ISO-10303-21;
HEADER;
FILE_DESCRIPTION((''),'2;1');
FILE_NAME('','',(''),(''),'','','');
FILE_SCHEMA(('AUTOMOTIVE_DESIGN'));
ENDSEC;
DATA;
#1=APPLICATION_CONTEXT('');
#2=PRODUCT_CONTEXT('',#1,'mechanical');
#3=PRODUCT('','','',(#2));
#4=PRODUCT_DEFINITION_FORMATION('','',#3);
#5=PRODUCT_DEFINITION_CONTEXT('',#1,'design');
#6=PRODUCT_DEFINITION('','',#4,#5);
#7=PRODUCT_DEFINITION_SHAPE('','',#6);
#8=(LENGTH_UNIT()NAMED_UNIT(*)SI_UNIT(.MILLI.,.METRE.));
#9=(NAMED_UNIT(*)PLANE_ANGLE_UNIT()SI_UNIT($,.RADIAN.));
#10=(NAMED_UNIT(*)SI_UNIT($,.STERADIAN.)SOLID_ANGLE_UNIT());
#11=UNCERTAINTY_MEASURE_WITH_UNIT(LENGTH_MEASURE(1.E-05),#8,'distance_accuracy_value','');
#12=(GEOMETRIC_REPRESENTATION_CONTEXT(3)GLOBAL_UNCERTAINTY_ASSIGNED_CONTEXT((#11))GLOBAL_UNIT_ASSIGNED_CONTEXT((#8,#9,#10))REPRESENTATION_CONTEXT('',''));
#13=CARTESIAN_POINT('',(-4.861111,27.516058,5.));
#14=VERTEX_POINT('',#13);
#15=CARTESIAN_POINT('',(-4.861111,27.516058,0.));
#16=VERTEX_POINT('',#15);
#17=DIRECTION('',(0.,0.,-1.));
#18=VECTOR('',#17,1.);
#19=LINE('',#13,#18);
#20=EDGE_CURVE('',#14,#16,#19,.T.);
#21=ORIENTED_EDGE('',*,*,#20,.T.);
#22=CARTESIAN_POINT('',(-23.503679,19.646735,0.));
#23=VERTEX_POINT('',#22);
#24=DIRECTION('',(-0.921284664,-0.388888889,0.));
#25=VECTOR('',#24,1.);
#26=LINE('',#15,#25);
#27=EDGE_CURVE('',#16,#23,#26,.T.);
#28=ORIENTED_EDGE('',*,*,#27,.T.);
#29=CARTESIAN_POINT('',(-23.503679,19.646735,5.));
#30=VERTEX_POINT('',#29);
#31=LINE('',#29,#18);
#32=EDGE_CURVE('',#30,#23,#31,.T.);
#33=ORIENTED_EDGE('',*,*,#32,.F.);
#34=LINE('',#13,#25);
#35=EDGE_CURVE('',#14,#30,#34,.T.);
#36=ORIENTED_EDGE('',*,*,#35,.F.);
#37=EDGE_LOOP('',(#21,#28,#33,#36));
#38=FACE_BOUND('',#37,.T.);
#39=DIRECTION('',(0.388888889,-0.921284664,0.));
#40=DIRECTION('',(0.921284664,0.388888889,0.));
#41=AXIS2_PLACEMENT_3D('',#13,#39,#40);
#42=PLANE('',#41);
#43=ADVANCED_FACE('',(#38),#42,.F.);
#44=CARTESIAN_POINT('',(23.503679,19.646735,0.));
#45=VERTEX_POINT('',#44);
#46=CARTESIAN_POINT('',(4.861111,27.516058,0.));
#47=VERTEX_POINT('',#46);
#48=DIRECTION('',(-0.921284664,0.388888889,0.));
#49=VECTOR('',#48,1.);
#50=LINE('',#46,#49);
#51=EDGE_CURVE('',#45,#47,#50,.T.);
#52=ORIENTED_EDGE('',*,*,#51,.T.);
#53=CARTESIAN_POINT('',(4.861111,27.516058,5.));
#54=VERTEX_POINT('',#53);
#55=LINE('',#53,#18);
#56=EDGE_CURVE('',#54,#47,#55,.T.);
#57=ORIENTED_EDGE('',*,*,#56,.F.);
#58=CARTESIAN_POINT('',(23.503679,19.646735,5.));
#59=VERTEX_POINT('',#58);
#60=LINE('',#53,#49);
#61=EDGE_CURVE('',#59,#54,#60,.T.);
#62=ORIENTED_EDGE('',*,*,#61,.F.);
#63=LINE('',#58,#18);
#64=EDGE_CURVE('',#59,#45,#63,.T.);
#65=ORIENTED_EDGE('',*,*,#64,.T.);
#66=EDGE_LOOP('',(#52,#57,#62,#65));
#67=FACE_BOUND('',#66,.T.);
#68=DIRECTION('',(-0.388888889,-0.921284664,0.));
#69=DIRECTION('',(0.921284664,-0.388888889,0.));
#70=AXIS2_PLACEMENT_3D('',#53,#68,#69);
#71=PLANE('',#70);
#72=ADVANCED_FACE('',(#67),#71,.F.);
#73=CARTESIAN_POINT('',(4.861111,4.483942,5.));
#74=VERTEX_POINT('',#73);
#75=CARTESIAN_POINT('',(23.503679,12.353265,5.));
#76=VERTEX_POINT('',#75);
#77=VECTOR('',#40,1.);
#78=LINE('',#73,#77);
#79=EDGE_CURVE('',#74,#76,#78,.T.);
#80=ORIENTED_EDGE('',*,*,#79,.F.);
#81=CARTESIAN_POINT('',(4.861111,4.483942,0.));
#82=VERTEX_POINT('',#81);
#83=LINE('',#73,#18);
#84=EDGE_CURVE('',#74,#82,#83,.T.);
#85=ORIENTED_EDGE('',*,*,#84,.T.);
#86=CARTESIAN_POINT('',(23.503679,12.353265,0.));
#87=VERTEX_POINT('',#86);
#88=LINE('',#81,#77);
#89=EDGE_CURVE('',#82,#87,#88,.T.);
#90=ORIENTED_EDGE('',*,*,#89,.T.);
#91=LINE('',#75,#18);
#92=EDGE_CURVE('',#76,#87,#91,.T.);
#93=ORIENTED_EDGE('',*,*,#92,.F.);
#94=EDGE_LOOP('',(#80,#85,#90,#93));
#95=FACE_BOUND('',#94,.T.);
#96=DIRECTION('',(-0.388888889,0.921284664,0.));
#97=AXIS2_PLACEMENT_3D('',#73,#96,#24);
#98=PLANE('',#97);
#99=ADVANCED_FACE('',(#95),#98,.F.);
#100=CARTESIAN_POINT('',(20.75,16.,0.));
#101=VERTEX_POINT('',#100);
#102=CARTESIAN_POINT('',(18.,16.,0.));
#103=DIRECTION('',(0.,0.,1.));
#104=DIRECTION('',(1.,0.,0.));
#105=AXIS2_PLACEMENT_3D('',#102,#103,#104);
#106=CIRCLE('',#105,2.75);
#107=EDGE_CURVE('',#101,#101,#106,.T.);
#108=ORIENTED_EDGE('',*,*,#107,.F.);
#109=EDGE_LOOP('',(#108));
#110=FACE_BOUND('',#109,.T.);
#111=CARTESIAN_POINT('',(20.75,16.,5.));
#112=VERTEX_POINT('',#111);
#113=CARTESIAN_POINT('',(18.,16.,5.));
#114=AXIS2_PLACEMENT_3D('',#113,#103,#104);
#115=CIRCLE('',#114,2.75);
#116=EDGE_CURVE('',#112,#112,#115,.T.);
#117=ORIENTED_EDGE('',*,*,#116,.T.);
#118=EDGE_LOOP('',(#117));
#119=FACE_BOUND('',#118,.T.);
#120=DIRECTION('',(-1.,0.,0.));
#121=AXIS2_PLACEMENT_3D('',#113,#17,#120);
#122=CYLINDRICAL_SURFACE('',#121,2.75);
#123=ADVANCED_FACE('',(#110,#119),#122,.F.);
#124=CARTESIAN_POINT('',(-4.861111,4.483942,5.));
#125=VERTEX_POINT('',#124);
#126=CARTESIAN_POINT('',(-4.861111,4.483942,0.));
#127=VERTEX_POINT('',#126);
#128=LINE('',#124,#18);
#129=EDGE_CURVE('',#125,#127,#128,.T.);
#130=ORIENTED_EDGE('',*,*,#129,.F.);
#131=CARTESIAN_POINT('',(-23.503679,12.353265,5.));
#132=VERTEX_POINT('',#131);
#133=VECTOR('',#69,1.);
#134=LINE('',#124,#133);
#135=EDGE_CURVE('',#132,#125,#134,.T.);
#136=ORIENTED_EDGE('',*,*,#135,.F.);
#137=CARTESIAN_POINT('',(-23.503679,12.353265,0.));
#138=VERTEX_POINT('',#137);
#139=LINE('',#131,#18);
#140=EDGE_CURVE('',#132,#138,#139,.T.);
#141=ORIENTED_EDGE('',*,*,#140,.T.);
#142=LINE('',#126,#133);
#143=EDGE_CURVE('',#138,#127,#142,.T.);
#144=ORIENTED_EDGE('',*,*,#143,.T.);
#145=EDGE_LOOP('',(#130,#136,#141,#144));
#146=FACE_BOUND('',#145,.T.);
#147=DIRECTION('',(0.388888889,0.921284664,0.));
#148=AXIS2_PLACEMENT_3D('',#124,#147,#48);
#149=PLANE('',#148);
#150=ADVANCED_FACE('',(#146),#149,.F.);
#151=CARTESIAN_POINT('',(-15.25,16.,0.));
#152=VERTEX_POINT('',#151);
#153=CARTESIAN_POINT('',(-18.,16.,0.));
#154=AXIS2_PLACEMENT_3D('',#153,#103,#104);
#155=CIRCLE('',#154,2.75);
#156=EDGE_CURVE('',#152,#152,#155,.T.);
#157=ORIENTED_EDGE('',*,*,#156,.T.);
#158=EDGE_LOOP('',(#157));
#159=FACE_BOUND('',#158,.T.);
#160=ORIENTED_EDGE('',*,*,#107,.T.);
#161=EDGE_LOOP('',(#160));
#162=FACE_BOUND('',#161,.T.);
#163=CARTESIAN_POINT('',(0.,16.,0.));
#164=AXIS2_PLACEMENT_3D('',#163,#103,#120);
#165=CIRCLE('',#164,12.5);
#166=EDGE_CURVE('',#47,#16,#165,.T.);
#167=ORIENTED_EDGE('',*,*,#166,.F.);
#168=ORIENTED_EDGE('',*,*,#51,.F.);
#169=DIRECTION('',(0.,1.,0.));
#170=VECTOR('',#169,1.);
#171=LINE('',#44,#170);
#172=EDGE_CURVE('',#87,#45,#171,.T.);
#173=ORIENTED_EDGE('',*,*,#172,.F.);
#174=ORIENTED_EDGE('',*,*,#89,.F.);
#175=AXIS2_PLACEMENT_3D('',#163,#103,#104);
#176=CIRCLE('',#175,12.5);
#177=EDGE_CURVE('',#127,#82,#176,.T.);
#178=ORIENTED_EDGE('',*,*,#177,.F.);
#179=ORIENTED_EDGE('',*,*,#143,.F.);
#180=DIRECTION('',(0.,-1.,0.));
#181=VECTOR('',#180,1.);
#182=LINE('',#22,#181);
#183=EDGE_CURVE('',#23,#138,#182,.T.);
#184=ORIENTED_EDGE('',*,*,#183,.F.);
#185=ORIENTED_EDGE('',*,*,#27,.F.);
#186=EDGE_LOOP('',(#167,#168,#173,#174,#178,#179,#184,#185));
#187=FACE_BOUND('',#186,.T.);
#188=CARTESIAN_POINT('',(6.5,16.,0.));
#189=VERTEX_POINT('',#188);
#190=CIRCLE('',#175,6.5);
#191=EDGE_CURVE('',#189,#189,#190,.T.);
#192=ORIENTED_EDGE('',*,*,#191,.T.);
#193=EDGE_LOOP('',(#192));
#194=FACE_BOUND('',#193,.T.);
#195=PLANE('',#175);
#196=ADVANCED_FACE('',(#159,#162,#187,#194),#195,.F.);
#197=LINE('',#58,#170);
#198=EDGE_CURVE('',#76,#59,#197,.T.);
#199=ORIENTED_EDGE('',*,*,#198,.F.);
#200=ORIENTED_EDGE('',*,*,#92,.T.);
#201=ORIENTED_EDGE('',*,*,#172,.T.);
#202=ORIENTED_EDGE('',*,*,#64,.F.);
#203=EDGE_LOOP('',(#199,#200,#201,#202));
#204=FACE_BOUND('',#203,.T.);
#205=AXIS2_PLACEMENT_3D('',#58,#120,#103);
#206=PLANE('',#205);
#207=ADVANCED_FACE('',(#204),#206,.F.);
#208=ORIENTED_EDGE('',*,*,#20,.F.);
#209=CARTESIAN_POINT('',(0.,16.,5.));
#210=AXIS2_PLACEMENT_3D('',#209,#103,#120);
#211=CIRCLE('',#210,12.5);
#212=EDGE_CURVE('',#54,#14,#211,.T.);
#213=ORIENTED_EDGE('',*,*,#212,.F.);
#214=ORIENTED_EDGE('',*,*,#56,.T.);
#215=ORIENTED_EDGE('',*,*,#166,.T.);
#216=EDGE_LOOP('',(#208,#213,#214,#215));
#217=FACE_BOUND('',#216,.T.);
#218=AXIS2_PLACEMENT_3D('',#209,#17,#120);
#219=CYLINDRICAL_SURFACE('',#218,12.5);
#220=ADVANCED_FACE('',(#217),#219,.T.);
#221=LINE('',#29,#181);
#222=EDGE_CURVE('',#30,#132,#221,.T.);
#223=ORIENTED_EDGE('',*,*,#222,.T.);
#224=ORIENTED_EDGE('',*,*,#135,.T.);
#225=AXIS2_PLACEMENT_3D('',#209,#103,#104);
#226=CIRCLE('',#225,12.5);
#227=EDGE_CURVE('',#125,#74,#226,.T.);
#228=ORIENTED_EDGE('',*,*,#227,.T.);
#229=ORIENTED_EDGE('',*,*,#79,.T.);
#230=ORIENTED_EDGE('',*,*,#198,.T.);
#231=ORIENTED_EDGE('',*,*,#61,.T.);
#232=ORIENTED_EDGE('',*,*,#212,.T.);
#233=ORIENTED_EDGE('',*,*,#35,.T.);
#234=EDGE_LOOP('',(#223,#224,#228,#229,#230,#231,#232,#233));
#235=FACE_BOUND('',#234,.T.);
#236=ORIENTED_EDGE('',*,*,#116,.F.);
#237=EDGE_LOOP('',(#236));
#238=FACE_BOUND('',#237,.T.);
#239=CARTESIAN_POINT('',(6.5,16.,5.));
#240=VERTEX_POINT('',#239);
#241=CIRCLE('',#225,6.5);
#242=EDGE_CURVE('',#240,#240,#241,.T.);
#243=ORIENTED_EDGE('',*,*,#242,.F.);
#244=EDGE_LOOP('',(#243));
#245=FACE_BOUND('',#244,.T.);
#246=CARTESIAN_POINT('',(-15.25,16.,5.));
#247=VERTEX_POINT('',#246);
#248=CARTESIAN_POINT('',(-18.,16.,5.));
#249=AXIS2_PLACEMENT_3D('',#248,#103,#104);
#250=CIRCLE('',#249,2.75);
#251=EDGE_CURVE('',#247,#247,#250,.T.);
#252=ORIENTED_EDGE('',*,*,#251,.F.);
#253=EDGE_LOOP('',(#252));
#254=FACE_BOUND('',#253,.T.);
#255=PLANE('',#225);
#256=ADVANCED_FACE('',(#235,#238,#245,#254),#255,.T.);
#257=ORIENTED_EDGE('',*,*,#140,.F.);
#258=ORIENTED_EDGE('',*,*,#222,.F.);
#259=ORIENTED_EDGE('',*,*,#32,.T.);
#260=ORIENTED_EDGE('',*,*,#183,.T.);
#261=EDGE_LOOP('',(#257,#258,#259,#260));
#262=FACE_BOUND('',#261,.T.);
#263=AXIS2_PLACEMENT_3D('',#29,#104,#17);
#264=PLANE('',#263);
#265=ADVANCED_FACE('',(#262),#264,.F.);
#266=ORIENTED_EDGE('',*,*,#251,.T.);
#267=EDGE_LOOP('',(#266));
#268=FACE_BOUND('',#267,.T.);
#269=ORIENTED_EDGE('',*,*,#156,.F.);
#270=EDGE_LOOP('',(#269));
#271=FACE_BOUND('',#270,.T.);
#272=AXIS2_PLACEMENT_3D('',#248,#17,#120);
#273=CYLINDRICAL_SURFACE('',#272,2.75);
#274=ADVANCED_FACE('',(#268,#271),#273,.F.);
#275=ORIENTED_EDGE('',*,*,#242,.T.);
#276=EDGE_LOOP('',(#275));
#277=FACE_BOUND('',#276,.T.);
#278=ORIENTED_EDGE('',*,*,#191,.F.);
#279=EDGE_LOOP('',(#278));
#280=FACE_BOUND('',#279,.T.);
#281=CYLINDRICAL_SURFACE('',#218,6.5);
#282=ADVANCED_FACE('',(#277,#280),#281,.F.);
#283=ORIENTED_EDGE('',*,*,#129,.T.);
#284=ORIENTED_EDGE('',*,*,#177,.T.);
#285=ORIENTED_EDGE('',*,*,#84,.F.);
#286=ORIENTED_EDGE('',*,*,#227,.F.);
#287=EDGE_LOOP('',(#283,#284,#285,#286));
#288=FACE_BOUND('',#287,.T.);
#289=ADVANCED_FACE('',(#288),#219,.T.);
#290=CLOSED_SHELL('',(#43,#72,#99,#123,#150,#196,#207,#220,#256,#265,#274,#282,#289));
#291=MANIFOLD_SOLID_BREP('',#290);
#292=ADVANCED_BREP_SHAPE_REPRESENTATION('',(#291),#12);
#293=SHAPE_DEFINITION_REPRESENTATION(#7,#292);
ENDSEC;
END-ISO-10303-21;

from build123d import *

# Parameters (mm, degrees)
SKETCH1_R           = 6.5
SKETCH1_R_2         = 2.75
BOSS_EXTRUDE1_DEPTH = 5


with BuildPart() as part:
    # Sketch1 → Boss-Extrude1 (new body)
    with BuildSketch(Plane.XY):
        with BuildLine():
            Line((-23.503678525, 19.646734505), (-23.503678525, 12.353265495))
            Line((-23.503678525, 12.353265495), (-4.861111111, 4.4839417))
            ThreePointArc((-4.861111111, 4.4839417), (0, 3.5), (4.861111111, 4.4839417))
            Line((4.861111111, 4.4839417), (23.503678525, 12.353265495))
            Line((23.503678525, 12.353265495), (23.503678525, 19.646734505))
            Line((23.503678525, 19.646734505), (4.861111111, 27.5160583))
            ThreePointArc((4.861111111, 27.5160583), (0, 28.5), (-4.861111111, 27.5160583))
            Line((-4.861111111, 27.5160583), (-23.503678525, 19.646734505))
        make_face()
        with Locations((0, 16)):
            Circle(SKETCH1_R, mode=Mode.SUBTRACT)
        with Locations((-18, 16)):
            Circle(SKETCH1_R_2, mode=Mode.SUBTRACT)
        with Locations((18, 16)):
            Circle(SKETCH1_R_2, mode=Mode.SUBTRACT)
    extrude(amount=BOSS_EXTRUDE1_DEPTH)


solid = part.part
